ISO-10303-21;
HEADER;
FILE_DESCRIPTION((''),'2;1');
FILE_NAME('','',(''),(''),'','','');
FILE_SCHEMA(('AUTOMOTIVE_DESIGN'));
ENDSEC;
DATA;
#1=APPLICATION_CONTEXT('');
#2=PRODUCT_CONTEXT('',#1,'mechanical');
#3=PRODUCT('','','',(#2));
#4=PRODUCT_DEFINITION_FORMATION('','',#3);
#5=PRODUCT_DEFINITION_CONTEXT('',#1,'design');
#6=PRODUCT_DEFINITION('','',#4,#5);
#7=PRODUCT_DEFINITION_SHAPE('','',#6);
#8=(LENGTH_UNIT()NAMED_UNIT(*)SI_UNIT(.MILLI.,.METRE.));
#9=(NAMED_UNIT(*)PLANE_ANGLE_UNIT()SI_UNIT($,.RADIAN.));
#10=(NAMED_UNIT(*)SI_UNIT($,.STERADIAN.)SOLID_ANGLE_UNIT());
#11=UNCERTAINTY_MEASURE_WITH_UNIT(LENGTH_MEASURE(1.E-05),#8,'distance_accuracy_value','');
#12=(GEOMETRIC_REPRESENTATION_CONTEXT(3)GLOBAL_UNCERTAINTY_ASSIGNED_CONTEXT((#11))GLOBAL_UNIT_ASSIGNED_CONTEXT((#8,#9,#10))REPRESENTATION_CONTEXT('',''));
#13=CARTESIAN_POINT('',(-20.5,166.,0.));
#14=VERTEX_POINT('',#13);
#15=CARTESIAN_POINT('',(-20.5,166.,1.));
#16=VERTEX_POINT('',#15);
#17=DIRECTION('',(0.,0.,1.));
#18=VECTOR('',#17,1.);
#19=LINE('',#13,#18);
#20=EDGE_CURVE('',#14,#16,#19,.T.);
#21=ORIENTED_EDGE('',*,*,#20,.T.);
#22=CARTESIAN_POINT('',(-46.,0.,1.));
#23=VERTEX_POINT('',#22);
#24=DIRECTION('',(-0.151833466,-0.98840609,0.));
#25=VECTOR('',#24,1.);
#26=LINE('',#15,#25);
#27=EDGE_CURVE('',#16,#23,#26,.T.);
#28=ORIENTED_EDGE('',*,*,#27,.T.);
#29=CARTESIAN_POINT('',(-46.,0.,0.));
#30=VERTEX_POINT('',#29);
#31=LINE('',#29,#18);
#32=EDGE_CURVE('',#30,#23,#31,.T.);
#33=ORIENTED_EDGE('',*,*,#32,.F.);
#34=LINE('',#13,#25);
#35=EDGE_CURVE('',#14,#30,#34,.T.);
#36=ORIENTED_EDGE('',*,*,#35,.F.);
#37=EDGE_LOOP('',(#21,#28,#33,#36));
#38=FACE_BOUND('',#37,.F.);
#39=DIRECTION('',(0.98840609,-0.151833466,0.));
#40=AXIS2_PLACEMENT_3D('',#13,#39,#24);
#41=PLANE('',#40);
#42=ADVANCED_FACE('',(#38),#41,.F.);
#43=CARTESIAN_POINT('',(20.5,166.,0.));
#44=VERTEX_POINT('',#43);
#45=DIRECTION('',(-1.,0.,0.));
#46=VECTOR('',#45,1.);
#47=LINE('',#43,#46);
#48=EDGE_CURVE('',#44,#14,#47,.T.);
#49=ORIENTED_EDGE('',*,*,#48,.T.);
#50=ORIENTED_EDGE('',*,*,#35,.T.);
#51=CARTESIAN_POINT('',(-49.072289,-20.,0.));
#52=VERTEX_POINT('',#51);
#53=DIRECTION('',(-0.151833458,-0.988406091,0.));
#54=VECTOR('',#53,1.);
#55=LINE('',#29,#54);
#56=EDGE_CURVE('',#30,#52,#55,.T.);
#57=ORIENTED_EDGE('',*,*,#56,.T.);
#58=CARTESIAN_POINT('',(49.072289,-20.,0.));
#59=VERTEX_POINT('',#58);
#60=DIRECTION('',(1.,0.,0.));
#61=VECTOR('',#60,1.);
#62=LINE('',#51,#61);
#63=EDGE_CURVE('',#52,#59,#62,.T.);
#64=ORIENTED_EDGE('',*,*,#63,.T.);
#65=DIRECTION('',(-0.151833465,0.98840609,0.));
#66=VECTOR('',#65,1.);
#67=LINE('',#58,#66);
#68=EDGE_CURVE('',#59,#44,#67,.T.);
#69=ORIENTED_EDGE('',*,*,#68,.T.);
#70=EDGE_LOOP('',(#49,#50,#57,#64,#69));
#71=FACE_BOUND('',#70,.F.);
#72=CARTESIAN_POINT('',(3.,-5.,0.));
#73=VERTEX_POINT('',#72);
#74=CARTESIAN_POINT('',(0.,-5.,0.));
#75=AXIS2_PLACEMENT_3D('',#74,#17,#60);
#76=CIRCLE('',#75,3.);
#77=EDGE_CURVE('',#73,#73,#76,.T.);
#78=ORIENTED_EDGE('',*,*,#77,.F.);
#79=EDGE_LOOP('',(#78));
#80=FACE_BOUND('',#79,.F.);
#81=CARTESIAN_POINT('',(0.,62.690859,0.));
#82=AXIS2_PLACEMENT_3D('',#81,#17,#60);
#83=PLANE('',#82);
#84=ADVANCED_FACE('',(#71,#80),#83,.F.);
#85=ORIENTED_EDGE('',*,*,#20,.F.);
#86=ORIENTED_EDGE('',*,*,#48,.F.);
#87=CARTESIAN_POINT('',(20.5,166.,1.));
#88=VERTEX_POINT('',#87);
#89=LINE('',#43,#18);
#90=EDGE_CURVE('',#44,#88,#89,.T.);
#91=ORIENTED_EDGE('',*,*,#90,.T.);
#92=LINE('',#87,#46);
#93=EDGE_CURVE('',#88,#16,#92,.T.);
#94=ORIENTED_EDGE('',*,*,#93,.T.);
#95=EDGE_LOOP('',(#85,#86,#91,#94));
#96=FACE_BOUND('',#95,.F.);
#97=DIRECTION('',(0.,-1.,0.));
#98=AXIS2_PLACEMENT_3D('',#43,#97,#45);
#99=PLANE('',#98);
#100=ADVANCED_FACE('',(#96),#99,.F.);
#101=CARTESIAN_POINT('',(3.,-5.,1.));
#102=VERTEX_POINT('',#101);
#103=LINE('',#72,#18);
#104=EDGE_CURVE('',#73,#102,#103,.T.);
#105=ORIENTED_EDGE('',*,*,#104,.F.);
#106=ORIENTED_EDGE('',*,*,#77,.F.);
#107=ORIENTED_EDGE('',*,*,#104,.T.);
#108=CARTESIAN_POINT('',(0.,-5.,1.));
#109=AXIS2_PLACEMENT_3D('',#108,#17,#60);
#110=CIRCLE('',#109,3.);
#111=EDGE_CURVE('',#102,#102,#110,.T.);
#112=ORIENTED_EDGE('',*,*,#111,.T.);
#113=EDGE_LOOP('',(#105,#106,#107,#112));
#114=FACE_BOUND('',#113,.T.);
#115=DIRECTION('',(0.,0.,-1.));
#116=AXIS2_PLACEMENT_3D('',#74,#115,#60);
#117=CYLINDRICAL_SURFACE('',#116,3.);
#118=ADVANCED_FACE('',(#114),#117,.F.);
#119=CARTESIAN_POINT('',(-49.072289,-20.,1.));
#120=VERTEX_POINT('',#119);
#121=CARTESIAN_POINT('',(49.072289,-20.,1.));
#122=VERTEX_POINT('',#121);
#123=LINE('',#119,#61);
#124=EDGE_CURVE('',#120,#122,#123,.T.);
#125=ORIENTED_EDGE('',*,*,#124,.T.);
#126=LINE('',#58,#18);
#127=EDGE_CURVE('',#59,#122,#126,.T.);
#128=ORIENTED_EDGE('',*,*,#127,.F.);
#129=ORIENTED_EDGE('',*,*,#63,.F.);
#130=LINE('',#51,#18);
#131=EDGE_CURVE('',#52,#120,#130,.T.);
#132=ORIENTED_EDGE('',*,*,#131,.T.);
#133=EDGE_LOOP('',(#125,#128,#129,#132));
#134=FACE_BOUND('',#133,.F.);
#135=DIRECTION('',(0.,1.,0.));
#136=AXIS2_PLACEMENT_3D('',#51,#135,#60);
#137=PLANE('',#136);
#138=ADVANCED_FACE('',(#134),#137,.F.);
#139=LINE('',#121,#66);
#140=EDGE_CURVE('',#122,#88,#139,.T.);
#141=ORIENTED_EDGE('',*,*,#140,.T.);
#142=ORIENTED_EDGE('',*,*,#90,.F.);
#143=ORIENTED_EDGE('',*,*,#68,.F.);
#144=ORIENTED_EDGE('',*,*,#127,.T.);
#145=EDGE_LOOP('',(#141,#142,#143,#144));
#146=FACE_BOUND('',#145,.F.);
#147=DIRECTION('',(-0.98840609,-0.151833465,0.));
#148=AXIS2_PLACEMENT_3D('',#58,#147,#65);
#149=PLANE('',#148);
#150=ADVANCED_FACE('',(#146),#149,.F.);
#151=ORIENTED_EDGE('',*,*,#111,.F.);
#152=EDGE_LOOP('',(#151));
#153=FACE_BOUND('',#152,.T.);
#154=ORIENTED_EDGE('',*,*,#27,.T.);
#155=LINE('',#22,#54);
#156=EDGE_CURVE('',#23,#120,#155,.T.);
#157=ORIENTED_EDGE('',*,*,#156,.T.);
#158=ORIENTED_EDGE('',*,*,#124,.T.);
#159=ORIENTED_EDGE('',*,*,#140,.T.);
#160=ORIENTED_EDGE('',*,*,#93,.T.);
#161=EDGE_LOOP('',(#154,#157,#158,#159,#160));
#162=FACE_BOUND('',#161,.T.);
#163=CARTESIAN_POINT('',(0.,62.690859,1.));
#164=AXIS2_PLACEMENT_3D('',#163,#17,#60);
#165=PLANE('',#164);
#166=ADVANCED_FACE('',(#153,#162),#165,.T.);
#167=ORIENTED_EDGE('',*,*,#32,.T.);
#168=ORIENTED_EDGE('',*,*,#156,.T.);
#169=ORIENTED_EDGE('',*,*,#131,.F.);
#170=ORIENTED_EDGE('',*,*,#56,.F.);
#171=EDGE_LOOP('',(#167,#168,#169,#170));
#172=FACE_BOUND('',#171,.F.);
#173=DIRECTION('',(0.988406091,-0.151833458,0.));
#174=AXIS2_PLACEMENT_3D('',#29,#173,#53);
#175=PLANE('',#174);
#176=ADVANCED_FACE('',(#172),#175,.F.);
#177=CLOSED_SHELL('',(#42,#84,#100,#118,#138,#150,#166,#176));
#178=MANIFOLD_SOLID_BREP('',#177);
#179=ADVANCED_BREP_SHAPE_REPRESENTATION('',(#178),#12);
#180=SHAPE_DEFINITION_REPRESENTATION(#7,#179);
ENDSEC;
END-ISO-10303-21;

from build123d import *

# Parameters (mm, degrees)
F0_R     = 3
F1_DEPTH = 1


with BuildPart() as f1:
    # F0 (on Top) → F1 (new body)
    with BuildSketch(Plane.XY):
        Polygon((-20.5, 166), (-46, 0), (-49.072289, -20), (49.072289, -20), (20.5, 166), align=None)
        with Locations((0, -5)):
            Circle(F0_R, mode=Mode.SUBTRACT)
    extrude(amount=F1_DEPTH)


solid = f1.part
